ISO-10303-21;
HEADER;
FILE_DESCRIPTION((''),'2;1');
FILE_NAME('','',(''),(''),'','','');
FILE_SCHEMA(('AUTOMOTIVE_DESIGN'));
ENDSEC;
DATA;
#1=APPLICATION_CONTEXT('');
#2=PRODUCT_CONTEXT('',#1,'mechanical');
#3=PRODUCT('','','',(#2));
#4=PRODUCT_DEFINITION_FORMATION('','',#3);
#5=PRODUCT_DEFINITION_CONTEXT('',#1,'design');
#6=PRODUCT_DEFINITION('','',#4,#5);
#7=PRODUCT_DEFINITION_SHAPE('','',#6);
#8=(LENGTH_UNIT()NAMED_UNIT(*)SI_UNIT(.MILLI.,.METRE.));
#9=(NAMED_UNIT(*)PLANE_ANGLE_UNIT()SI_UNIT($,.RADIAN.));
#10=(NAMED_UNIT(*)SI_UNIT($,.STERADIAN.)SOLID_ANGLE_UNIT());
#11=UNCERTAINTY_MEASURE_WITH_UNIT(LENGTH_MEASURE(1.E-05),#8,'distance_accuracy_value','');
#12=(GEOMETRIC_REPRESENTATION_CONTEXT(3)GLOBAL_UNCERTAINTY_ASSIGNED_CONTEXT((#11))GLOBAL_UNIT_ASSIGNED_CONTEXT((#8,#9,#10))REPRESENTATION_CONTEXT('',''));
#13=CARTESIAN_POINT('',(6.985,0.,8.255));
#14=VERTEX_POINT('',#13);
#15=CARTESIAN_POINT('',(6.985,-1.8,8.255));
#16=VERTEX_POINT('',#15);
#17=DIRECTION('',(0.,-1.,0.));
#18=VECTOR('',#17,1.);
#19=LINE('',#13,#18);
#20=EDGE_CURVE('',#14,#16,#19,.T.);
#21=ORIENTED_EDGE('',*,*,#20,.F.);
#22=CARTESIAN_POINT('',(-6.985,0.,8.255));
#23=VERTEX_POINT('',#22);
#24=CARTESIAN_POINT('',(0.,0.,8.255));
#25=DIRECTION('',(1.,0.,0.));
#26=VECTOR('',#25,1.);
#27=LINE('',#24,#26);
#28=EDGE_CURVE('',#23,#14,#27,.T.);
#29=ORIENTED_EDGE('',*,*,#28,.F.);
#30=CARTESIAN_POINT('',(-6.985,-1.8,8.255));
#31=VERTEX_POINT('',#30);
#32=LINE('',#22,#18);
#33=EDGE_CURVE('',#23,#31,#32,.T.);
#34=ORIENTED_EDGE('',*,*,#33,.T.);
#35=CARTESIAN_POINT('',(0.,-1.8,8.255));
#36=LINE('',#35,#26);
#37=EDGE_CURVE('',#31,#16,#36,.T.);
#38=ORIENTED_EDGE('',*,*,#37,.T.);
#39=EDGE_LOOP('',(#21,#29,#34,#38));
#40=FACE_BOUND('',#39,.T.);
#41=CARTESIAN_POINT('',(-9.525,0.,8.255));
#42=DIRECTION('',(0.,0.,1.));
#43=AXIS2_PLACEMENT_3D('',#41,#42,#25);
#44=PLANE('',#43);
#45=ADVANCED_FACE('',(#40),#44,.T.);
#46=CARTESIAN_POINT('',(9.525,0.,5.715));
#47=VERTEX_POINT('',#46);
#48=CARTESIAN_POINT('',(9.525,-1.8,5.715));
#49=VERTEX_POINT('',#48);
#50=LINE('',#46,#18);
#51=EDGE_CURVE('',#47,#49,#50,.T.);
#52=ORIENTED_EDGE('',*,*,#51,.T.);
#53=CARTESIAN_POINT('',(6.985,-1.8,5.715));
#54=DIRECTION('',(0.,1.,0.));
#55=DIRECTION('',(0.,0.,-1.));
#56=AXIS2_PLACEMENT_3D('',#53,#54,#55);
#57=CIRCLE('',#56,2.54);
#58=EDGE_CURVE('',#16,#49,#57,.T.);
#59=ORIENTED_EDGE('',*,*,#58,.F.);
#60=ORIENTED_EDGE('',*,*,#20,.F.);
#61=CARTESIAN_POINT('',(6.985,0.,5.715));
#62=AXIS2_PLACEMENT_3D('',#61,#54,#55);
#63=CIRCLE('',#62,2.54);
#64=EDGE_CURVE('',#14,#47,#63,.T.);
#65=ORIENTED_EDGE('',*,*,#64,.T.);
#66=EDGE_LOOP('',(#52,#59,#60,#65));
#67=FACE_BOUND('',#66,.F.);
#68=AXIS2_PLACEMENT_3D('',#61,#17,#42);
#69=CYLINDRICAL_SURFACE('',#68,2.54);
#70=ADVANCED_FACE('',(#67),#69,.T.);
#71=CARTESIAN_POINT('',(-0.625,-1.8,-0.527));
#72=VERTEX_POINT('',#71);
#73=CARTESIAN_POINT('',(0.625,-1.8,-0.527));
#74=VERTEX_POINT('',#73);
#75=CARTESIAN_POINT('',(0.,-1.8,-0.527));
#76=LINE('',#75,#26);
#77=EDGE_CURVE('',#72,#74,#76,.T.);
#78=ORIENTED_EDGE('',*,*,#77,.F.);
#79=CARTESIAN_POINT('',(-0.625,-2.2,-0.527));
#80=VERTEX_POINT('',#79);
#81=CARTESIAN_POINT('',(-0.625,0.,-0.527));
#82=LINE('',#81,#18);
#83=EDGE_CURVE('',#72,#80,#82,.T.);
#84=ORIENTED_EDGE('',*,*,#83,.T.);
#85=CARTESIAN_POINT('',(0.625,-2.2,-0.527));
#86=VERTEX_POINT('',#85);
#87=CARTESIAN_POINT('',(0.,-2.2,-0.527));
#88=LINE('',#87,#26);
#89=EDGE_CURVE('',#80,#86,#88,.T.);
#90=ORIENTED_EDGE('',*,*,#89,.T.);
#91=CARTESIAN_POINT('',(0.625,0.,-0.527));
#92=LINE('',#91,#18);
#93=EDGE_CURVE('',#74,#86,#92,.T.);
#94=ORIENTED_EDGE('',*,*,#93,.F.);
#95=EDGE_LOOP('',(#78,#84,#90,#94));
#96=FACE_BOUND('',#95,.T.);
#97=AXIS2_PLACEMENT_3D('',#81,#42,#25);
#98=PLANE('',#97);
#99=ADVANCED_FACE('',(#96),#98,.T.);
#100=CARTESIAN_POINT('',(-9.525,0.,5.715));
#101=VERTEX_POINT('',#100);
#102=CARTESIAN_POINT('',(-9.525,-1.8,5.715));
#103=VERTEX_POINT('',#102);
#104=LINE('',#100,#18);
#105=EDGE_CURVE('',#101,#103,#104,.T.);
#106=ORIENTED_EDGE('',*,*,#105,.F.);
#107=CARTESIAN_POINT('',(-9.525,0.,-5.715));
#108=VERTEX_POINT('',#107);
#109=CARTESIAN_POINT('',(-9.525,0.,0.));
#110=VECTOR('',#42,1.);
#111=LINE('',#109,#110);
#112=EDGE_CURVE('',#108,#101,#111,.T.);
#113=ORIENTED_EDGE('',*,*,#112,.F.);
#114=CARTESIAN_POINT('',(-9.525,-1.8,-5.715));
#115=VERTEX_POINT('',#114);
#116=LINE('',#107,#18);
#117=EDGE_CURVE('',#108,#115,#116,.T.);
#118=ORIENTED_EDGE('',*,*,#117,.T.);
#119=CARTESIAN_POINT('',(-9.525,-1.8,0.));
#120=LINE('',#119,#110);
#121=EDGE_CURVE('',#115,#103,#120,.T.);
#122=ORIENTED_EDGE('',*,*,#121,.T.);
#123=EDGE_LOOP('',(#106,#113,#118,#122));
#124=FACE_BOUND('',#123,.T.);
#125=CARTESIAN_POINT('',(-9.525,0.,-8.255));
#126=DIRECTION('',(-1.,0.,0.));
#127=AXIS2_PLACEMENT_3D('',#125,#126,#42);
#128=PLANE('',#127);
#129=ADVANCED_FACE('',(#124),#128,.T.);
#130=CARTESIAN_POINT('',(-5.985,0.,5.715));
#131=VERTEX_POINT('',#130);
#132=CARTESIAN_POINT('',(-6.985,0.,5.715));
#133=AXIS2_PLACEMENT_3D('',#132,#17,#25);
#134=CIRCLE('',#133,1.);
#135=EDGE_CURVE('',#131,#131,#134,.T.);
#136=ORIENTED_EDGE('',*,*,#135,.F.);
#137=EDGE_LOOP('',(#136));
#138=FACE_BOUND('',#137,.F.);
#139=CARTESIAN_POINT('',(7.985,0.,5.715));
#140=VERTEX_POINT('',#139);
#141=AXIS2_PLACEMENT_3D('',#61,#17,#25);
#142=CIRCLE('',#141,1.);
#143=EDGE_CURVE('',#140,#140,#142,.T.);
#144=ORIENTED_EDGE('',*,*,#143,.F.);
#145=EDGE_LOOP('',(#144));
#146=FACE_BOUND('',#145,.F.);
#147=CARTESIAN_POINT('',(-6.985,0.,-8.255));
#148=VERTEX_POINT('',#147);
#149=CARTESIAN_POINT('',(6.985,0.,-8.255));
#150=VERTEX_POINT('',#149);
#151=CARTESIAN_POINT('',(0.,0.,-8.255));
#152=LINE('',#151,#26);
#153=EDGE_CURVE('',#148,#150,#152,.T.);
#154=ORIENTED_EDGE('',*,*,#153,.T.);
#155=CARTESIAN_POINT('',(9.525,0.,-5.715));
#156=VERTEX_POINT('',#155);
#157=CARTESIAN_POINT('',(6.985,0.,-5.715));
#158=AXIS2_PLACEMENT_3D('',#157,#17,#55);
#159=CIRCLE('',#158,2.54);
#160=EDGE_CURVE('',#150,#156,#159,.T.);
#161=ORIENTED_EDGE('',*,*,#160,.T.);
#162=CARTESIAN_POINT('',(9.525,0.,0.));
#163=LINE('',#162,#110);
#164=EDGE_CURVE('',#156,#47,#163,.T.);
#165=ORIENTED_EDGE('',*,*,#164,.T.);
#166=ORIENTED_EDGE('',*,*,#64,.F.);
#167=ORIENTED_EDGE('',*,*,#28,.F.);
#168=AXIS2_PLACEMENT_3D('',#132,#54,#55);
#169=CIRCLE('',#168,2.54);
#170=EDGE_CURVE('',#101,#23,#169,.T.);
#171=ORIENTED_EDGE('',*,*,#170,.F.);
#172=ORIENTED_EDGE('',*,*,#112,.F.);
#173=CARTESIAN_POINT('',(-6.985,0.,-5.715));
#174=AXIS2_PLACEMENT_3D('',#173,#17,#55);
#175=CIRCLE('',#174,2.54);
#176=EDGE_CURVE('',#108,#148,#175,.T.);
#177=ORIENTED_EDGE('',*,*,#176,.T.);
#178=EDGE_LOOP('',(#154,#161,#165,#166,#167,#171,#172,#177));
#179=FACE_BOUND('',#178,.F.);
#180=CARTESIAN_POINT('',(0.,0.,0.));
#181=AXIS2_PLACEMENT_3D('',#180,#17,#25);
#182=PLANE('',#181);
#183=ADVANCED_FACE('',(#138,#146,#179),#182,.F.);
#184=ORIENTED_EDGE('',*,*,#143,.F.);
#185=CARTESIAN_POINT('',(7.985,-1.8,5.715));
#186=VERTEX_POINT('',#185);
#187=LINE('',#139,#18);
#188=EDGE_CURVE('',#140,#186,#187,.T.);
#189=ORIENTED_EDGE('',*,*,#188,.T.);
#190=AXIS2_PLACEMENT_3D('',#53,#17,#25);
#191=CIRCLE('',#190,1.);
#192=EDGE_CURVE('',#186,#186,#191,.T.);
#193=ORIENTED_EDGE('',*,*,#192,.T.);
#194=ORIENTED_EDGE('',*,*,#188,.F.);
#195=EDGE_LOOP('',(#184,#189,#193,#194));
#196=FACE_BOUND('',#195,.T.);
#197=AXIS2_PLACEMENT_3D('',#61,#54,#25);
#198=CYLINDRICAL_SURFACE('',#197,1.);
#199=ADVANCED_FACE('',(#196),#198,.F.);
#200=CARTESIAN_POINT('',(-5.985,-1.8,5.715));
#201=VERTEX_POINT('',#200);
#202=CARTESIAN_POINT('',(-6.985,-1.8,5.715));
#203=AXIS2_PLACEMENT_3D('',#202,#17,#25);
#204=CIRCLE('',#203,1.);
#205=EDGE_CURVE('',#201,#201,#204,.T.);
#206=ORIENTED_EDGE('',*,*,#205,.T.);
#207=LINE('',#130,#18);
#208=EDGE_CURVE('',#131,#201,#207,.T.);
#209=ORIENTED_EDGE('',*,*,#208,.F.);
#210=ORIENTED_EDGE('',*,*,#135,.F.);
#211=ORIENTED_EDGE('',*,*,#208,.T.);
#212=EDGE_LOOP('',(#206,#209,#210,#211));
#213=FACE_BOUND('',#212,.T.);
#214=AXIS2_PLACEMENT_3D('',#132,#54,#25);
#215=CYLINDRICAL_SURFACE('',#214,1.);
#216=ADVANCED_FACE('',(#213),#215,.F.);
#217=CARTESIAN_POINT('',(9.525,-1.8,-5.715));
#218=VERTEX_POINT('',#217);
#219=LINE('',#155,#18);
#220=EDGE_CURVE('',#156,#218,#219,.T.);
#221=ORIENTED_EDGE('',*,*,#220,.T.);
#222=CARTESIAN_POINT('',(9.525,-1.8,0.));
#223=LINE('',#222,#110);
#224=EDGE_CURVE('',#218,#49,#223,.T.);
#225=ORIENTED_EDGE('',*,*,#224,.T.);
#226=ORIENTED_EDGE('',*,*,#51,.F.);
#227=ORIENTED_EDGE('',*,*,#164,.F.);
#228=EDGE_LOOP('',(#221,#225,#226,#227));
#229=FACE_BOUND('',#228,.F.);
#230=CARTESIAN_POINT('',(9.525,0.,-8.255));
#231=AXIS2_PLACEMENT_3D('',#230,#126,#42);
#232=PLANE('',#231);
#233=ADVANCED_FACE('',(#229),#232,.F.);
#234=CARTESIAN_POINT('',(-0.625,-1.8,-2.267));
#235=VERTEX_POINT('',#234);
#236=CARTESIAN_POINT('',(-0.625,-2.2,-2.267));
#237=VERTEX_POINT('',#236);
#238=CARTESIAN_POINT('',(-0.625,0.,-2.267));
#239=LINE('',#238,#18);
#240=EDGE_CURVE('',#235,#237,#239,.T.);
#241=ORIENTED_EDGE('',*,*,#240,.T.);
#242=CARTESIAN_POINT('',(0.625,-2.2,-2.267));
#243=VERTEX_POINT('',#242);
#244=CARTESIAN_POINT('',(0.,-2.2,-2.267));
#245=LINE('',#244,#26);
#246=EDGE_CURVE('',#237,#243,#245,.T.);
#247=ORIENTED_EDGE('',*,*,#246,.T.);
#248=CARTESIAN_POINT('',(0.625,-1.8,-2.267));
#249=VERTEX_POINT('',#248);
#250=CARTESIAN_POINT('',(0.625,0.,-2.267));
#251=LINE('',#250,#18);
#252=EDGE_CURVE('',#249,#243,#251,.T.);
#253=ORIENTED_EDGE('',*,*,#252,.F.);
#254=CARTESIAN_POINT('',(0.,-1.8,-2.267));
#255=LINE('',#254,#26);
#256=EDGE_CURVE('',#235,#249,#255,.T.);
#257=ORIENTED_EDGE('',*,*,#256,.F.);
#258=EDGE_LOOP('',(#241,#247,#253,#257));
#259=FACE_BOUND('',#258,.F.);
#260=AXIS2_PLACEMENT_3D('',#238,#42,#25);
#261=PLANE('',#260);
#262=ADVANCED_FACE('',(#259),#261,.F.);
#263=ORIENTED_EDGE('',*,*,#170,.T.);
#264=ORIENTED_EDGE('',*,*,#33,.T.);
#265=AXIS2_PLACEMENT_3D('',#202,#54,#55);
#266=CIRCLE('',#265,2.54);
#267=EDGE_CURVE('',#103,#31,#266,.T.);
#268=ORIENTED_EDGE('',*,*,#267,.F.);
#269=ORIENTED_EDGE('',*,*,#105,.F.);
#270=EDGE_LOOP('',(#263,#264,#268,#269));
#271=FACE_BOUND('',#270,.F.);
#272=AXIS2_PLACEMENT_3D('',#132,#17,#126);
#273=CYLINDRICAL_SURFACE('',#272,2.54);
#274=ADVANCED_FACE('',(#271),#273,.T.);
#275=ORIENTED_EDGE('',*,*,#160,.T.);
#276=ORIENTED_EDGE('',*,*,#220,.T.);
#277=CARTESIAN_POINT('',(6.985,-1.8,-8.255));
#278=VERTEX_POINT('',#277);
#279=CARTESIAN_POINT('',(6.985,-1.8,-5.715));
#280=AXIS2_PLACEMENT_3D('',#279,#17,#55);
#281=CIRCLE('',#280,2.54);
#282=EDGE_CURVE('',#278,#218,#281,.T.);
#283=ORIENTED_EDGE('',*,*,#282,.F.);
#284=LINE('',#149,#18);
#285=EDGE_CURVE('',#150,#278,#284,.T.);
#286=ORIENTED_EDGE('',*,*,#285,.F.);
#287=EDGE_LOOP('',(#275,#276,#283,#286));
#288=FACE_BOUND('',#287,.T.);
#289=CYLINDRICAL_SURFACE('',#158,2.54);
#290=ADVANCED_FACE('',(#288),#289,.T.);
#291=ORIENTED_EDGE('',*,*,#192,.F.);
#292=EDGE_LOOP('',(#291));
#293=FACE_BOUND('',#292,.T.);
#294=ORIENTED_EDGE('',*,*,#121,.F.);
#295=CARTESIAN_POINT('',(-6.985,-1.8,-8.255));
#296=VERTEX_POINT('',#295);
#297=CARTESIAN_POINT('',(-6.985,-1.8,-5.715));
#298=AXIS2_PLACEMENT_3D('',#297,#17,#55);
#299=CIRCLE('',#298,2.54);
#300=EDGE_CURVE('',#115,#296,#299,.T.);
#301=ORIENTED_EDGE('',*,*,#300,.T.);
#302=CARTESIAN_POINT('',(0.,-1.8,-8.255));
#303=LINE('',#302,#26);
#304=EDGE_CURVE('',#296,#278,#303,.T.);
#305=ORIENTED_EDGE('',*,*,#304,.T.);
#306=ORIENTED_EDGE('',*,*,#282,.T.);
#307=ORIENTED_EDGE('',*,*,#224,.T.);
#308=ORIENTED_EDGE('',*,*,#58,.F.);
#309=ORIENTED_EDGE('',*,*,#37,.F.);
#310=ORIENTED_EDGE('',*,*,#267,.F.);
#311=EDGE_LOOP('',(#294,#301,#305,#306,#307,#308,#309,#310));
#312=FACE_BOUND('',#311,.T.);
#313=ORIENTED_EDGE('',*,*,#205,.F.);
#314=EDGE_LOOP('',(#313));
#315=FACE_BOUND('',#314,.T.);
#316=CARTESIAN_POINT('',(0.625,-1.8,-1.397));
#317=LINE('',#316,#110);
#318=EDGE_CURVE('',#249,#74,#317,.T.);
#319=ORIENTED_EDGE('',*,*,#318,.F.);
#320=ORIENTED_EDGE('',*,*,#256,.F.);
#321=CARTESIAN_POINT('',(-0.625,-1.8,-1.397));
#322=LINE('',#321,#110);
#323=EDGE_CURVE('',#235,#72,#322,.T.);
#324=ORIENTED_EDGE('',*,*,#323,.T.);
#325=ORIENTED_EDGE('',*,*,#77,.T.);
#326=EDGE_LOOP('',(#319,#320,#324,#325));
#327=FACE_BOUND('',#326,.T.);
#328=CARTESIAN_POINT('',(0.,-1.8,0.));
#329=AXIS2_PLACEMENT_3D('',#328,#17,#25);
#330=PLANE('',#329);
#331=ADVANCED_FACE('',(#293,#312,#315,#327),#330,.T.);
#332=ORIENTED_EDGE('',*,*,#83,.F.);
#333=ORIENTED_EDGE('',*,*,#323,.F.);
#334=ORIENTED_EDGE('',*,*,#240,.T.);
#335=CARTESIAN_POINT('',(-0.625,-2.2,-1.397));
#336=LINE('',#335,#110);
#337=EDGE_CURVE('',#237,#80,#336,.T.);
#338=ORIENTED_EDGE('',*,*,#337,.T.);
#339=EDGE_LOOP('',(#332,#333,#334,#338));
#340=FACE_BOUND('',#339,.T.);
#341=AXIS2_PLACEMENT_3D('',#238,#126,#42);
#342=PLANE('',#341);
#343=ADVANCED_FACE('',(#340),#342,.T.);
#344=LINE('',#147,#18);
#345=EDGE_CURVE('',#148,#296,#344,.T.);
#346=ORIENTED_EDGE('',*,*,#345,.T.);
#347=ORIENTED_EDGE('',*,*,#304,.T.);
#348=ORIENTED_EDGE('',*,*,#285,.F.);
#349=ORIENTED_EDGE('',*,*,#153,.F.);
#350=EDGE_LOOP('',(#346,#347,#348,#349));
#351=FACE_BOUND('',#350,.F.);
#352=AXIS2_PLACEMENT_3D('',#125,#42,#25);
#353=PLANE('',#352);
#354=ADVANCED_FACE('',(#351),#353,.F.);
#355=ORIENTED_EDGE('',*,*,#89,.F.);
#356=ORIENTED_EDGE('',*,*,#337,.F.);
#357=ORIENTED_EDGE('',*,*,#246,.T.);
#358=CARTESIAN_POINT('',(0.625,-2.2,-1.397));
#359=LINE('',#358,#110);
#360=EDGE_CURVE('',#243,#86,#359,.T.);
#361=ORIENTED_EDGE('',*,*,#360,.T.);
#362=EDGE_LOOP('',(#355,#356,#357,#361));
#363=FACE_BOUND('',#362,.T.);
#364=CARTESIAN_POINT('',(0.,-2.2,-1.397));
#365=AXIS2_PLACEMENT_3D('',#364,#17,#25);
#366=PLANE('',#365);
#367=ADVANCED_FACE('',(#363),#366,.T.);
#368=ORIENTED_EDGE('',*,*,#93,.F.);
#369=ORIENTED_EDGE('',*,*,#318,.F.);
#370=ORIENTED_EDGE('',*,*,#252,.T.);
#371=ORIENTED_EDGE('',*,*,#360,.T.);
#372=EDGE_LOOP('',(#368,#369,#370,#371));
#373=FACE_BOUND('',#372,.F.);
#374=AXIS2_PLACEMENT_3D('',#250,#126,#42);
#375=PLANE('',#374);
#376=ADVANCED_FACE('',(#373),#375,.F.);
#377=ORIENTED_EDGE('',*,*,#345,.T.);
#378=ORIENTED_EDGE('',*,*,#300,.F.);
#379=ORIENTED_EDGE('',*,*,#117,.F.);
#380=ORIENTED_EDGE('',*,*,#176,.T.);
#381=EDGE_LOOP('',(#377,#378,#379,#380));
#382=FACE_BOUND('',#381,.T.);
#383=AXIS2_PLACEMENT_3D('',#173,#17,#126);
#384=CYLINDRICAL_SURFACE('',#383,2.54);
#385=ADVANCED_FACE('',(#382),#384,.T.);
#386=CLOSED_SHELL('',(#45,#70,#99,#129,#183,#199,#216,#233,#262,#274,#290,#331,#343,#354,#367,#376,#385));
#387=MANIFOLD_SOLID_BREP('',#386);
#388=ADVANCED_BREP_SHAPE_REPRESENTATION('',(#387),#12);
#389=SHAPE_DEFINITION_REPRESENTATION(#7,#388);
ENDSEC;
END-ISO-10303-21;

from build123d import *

# Parameters (mm, degrees)
F0_W     = 19.05
F0_H     = 16.51
F0_W_2   = 1.25
F0_H_2   = 1.74
F0_R     = 1
F1_DEPTH = 1.8
F2_DEPTH = 2.2
F3_R     = 2.54


with BuildPart() as f1:
    # F0 (on Front) → F1 (new body)
    with BuildSketch(Plane.XZ):
        Rectangle(F0_W, F0_H)
        with Locations((0, -1.397)):
            Rectangle(F0_W_2, F0_H_2, mode=Mode.SUBTRACT)
        with Locations((-6.985, 5.715)):
            Circle(F0_R, mode=Mode.SUBTRACT)
        with Locations((6.985, 5.715)):
            Circle(F0_R, mode=Mode.SUBTRACT)
    extrude(amount=F1_DEPTH)

    # F0 (on Front) → F2 (join)
    with BuildSketch(Plane.XZ):
        with Locations((0, -1.397)):
            Rectangle(F0_W_2, F0_H_2)
    extrude(amount=F2_DEPTH)

    # F3
    f3_edges = [f1.edges().sort_by_distance(p)[0] for p in [
        (-9.525, -0.9, 8.255),
        (9.525, -0.9, 8.255),
        (9.525, -0.9, -8.255),
        (-9.525, -0.9, -8.255),
    ]]
    fillet(f3_edges, radius=F3_R)


solid = f1.part
